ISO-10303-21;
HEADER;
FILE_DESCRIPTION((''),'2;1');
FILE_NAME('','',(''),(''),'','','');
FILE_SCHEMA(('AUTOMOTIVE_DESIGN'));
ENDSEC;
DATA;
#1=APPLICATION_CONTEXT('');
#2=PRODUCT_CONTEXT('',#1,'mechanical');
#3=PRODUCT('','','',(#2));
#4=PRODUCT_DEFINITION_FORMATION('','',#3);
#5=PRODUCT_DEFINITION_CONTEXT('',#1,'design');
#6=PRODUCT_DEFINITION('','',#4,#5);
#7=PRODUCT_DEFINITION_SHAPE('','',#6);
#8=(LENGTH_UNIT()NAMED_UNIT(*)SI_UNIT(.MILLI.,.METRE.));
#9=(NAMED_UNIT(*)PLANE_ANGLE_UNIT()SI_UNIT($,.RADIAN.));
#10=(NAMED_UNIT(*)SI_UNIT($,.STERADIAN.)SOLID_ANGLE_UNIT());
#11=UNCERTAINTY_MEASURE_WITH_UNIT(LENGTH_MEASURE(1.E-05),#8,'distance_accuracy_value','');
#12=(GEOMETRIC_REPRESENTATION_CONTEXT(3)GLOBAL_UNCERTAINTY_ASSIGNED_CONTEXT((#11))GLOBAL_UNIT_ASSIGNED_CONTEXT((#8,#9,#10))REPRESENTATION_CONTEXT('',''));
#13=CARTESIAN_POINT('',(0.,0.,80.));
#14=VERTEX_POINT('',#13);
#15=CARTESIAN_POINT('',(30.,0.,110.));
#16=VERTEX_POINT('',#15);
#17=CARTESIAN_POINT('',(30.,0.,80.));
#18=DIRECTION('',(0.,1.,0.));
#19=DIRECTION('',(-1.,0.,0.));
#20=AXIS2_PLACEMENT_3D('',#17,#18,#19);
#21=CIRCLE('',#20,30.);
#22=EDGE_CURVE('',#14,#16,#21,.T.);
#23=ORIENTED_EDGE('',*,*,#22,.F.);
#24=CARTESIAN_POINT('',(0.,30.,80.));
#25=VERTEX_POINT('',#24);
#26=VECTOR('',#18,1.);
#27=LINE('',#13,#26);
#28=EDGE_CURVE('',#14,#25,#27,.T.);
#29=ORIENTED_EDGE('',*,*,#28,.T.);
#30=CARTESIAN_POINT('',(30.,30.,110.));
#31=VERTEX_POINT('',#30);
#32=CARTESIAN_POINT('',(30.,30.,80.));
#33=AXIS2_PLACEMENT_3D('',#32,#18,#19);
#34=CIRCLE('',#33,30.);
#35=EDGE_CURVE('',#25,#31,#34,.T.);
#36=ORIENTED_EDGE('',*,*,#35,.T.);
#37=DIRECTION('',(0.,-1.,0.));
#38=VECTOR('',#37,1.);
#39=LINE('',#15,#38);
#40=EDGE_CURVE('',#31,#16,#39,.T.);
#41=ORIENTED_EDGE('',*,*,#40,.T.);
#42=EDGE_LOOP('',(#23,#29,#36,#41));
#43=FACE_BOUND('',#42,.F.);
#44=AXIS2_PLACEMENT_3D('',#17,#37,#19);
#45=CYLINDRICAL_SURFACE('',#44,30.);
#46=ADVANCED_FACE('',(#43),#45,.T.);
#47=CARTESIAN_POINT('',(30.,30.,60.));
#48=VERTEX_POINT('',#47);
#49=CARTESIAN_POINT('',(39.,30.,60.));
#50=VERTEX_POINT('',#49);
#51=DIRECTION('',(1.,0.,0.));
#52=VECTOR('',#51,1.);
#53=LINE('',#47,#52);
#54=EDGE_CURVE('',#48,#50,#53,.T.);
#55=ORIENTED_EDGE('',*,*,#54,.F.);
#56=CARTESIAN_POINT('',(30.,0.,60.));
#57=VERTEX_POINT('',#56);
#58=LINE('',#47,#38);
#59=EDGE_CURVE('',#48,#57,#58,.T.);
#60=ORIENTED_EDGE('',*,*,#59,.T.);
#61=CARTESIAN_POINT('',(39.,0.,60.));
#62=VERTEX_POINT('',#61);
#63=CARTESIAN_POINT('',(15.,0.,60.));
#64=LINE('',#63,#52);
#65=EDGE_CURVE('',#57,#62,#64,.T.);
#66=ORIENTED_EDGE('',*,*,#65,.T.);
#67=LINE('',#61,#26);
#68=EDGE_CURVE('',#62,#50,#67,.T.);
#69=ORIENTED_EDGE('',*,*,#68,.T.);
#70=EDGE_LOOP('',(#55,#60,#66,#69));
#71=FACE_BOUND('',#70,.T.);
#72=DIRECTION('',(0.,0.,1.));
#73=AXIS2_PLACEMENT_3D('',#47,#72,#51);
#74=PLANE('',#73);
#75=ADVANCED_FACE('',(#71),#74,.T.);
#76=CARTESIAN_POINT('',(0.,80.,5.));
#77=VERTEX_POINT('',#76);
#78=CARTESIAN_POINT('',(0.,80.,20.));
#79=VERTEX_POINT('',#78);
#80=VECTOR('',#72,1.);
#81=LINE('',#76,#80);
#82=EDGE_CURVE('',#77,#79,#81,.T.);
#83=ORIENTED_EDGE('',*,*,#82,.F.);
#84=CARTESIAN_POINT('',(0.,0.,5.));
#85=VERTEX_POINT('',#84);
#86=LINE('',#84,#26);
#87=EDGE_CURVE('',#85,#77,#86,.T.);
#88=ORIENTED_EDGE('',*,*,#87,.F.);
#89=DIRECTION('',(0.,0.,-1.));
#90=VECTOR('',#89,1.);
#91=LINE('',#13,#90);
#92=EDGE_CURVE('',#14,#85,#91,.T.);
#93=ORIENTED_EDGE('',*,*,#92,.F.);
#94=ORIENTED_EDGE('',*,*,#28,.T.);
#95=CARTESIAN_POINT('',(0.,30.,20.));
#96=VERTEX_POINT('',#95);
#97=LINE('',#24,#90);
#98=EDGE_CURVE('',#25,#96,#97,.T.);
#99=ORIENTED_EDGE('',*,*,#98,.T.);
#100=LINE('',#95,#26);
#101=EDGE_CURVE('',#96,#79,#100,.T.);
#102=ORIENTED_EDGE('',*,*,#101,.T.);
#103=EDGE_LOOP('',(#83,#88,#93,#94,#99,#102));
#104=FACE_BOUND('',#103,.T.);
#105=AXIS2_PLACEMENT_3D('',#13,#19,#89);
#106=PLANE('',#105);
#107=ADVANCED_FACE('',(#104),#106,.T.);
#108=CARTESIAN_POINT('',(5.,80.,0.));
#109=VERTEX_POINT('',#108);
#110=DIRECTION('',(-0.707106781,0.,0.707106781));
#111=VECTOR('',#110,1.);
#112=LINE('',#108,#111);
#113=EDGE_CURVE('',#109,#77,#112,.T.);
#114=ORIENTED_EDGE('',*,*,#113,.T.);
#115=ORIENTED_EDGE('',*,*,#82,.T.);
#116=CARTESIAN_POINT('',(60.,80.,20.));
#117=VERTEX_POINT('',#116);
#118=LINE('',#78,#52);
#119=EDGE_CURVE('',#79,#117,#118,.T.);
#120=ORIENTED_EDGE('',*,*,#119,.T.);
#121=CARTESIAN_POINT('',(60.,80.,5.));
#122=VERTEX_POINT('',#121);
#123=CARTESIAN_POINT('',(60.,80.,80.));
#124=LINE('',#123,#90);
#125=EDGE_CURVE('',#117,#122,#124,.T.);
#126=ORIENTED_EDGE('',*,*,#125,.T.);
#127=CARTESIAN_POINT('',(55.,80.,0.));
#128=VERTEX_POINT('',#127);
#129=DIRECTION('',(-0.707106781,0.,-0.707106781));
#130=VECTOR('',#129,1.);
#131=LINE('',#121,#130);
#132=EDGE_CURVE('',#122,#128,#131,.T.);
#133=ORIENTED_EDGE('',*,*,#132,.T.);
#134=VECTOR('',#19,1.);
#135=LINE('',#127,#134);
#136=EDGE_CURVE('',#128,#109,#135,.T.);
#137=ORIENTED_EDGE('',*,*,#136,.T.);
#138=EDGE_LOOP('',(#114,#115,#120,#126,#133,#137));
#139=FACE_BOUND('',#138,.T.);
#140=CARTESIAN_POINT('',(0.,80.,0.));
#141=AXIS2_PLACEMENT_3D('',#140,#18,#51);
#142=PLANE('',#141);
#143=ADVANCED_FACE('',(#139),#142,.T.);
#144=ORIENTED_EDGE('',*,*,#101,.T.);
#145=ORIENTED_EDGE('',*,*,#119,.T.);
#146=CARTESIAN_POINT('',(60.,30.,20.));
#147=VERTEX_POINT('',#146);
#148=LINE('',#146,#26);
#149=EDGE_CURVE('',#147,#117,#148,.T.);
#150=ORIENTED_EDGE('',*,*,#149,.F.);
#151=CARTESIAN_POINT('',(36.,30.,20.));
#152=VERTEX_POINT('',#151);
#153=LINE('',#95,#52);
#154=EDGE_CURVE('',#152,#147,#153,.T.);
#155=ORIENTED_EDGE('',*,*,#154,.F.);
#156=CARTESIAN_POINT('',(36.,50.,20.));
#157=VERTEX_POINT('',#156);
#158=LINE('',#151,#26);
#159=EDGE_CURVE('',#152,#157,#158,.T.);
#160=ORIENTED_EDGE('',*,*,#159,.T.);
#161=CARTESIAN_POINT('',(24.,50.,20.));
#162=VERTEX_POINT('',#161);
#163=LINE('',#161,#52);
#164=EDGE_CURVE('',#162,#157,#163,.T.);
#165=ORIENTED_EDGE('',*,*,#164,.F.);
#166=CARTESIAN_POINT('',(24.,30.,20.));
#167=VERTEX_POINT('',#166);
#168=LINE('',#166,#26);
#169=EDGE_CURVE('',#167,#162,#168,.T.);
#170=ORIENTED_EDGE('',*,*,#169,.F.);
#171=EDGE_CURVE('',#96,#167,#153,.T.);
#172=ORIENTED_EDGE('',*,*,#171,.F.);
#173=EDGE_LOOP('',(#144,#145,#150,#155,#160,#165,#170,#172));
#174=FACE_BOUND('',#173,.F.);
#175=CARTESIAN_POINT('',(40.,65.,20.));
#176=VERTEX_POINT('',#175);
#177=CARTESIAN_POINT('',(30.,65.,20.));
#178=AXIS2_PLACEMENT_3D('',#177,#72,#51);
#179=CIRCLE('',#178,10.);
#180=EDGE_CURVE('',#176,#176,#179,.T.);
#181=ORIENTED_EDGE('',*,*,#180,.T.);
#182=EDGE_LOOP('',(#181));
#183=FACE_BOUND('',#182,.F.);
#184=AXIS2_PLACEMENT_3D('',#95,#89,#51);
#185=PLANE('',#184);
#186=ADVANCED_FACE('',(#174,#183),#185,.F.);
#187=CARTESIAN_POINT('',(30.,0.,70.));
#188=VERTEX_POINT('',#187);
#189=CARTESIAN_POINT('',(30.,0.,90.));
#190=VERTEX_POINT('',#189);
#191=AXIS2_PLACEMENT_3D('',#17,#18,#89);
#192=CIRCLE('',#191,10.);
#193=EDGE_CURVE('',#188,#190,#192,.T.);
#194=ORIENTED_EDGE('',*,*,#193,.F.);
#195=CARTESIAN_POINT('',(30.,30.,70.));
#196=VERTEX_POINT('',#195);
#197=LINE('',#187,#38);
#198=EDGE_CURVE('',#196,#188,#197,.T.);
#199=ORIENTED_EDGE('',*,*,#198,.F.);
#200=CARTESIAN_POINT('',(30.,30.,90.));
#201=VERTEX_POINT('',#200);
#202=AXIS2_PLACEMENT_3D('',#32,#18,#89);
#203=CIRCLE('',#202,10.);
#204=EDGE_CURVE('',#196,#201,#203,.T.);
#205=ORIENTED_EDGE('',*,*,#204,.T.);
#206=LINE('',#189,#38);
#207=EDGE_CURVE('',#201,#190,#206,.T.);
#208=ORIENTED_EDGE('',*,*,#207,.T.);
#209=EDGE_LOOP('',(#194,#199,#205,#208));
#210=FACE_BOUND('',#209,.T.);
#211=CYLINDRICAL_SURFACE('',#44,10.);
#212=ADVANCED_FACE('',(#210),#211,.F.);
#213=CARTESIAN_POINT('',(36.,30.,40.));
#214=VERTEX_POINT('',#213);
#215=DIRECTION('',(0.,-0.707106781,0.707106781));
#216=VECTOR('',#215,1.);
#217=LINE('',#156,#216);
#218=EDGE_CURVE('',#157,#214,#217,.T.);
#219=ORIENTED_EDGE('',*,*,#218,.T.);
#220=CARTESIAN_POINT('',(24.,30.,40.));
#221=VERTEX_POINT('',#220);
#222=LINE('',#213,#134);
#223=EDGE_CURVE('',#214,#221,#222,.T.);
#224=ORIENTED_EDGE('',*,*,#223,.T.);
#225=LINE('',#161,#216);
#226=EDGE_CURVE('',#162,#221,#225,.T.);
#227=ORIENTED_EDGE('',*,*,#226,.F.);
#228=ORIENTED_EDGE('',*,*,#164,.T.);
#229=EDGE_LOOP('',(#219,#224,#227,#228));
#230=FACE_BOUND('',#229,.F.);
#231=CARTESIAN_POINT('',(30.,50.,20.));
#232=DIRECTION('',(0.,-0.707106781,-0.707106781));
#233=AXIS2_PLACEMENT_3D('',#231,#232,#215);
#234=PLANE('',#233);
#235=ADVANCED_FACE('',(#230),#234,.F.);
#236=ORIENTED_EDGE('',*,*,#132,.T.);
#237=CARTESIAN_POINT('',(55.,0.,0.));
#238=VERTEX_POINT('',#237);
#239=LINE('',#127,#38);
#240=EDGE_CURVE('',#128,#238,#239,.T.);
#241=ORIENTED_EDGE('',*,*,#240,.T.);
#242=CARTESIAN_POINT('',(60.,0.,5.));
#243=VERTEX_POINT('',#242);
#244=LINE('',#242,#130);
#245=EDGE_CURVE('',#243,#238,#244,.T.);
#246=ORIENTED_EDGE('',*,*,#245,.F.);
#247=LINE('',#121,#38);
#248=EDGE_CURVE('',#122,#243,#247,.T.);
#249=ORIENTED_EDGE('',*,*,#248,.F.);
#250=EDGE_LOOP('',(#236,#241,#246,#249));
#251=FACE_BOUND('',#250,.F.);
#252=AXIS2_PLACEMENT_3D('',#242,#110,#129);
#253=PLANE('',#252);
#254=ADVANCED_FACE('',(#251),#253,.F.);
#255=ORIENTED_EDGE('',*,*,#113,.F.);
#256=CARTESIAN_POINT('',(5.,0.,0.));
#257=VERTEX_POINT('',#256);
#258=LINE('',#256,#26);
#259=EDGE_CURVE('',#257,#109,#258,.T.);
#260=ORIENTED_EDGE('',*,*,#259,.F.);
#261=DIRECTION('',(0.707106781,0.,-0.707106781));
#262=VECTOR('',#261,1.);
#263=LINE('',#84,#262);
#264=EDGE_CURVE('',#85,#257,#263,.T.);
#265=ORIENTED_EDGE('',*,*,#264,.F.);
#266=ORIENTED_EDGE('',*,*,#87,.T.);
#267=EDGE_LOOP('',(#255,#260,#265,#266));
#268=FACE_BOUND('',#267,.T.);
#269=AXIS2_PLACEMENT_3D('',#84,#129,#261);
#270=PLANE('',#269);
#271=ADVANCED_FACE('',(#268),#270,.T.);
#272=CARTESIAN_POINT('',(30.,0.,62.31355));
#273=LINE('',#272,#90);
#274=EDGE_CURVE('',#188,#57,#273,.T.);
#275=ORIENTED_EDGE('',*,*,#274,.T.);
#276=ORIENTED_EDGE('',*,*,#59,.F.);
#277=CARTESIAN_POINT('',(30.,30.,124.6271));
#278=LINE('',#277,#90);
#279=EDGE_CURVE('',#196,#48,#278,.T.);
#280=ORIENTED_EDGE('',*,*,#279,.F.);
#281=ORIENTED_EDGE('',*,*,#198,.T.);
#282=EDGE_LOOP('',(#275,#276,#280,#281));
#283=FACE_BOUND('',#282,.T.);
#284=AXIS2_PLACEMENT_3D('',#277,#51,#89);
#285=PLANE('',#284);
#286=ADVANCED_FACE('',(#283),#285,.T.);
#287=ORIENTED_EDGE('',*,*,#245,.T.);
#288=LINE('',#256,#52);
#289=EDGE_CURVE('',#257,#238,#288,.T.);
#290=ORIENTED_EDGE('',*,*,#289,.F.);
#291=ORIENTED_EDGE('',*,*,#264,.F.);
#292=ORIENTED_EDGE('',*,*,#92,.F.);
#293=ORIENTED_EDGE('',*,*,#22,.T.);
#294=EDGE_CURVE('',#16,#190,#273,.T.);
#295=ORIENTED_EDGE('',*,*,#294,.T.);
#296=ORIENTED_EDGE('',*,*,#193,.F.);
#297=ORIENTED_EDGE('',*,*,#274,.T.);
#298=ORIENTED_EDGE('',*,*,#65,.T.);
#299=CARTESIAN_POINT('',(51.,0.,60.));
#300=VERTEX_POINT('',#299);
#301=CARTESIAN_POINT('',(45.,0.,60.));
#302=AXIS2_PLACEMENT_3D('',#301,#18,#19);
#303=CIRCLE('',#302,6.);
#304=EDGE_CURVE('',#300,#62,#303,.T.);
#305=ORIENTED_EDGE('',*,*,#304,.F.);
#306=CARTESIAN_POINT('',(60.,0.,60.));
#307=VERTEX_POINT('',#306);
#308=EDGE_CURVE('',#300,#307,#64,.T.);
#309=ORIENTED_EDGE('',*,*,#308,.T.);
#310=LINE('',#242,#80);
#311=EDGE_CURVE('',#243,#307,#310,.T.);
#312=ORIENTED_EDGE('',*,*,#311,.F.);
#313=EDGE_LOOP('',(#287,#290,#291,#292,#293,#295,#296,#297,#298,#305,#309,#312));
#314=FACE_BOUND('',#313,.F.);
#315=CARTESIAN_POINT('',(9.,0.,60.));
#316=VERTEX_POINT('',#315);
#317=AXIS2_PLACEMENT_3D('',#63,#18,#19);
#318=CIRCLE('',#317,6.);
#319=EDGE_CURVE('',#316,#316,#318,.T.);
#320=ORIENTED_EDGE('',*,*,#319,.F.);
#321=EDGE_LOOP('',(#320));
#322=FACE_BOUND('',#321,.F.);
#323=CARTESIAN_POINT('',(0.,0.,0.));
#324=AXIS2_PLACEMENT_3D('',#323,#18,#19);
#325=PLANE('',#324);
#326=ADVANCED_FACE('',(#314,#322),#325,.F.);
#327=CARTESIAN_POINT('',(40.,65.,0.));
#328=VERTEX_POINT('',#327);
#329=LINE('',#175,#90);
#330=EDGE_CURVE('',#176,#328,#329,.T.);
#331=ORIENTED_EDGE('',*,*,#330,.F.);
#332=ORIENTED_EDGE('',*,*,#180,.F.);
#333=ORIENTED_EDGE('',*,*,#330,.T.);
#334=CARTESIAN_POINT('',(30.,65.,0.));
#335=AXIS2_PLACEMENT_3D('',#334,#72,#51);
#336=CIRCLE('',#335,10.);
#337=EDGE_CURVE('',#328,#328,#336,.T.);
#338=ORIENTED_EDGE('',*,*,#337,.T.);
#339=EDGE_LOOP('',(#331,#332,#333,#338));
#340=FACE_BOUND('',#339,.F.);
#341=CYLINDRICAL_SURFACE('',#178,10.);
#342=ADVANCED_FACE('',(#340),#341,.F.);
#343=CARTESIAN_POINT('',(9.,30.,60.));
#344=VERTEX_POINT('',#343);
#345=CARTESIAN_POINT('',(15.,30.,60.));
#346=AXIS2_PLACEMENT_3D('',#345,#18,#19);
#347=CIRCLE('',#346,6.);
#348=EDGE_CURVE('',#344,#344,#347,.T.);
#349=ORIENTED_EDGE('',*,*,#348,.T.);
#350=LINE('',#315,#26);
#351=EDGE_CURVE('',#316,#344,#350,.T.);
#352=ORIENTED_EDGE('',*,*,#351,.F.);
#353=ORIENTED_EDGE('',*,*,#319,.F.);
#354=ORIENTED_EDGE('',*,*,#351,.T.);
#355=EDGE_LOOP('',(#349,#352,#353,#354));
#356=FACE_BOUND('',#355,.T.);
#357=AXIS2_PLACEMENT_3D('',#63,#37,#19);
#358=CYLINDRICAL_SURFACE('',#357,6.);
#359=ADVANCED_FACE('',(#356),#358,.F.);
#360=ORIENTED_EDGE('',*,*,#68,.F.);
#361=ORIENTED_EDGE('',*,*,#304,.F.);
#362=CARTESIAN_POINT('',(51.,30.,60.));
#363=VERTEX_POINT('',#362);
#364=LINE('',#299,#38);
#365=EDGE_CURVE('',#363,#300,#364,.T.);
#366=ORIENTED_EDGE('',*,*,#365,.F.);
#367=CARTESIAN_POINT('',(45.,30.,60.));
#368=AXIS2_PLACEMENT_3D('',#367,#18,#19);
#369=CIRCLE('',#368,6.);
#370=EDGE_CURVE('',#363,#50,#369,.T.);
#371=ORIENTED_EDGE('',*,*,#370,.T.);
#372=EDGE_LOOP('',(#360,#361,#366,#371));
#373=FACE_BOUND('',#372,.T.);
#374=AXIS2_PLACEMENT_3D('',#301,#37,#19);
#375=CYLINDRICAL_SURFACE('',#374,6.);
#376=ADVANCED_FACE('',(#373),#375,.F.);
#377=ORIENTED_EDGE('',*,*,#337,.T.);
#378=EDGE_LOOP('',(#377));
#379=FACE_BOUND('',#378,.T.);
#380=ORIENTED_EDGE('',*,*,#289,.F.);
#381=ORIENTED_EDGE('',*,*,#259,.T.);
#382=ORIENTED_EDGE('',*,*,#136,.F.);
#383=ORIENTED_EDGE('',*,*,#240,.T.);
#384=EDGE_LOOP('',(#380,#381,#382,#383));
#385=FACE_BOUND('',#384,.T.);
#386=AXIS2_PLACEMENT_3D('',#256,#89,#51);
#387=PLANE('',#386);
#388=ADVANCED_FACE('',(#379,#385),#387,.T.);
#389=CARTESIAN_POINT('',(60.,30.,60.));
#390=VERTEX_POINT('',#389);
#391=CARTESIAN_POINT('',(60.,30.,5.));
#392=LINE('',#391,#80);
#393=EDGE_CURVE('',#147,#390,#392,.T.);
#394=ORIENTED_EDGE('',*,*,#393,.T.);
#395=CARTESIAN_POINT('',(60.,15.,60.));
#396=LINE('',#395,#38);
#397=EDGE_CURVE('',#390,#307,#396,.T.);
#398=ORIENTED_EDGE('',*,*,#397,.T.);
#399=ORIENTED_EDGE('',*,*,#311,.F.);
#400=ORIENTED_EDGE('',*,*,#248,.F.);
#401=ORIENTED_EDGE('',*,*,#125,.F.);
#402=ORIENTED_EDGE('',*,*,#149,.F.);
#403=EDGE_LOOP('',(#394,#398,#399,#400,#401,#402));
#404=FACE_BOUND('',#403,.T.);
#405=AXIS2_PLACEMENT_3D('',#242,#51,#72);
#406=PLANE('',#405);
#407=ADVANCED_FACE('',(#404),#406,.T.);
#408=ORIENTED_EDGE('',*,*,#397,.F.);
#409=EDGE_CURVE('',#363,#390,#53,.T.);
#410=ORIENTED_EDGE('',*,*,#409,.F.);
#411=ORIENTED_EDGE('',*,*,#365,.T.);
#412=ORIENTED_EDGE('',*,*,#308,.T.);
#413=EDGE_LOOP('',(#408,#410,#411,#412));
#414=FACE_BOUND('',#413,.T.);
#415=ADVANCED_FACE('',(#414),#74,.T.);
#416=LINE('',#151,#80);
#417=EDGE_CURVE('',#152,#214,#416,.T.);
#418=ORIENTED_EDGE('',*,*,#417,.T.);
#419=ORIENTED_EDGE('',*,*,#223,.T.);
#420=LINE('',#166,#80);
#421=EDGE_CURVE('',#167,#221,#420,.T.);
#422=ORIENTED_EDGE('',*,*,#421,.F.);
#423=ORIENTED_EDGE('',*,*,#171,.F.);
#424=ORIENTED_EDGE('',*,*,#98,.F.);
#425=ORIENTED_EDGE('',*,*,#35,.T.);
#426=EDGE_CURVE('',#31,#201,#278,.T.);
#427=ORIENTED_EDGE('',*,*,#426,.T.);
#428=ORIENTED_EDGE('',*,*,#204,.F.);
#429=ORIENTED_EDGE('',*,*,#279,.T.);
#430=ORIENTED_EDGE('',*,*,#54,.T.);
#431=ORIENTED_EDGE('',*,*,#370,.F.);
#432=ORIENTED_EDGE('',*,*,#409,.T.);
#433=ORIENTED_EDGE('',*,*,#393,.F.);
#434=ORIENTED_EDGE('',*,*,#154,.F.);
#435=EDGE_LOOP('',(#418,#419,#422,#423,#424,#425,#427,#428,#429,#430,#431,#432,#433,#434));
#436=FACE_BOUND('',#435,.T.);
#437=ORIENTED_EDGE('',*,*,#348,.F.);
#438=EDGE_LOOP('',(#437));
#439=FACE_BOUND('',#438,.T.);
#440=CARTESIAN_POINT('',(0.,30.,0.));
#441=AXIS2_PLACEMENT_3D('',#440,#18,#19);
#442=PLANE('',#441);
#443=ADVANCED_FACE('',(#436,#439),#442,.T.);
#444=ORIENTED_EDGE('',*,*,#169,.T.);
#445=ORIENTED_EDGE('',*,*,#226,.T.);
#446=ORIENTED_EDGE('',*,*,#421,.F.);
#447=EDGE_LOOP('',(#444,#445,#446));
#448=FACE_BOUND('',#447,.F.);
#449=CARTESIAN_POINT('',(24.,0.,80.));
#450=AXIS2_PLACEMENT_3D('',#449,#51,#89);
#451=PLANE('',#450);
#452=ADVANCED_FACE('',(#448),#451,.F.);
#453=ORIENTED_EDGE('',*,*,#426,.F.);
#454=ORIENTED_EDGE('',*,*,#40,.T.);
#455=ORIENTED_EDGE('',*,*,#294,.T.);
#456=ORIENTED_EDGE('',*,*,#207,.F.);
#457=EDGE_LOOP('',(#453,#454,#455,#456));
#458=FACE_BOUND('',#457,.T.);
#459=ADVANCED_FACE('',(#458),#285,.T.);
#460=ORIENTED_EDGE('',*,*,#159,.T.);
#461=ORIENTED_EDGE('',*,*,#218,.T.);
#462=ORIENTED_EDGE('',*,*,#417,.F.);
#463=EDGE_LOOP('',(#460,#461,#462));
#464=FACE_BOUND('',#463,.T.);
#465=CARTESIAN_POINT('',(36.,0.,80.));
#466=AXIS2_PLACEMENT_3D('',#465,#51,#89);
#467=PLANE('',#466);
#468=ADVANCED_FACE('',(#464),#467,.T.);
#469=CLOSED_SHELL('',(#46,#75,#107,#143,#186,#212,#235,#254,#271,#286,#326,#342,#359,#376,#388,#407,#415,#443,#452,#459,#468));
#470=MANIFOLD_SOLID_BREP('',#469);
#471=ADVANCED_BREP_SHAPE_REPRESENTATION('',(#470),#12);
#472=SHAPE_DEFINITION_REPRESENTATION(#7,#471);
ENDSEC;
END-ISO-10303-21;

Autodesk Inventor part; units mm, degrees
ref_plane "YZ Plane" through (0, 0, 0) normal (1, 0, 0) x (0, 1, 0)
ref_plane "XZ Plane" through (0, 0, 0) normal (0, 1, 0) x (-1, 0, 0)
sketch "Эскиз1" plane through (0, 0, 0) normal (0, 1, 0) x (-1, 0, 0)
  line L0 (-5, 0) -> (-55, 0)
  line L1 (-60, 5) -> (-60, 80)
  line L2 (0, 80) -> (0, 5)
  arc A0 (0, 80) -> (-60, 80) centre (-30, 80) ccw
  circle A1 centre (-30, 80) radius 10
  circle A2 centre (-15, 60) radius 6
  circle A3 centre (-45, 60) radius 6
  line L3 (0, 5) -> (-5, 0)
  line L4 (-60, 5) -> (-55, 0)
  point P0 (0, 0)
  point P1 (-60, 0)
  dimension "d4" = 80
  dimension "d5" = 20
  dimension "d8" = 12
  dimension "d9" = 12
  dimension "d12" = 5
  dimension "d13" = 45
  dimension "d14" = 5
  dimension "d15" = 45
extrude "Выдавливание1" add sketch "Эскиз1" along normal blind 30
sketch "Эскиз2" plane through (0, 30, 0) normal (0, 1, 0) x (1, 0, 0)
  line L0 (0, -20) -> (60, -20)
  line L1 (60, -80) -> (60, -5) projected
  line L2 (60, -5) -> (55, 0) projected
  line L3 (60, -5) -> (55, 0)
  line L4 (55, 0) -> (5, 0) projected
  line L5 (55, 0) -> (5, 0)
  line L6 (5, 0) -> (0, -5) projected
  line L7 (5, 0) -> (0, -5)
  line L8 (0, -5) -> (0, -20)
  line L9 (0, -5) -> (0, -80) projected
  point P0 (0, 0)
extrude "Выдавливание2" add sketch "Эскиз2" along normal blind 50
sketch "Эскиз3" plane through (0, 30, 20) normal (0, 0, 1) x (1, 0, 0)
  circle A0 centre (30, 35) radius 10
  line L0 (60, 0) -> (0, 0) projected
  point P0 (0, -30)
  dimension "d18" = 20
extrude "Выдавливание3" cut sketch "Эскиз3" against normal blind 50
ref_plane "РабПлоскость1" through (30, 0, 80) normal (1, 0, 0) x (0, 0, -1)
sketch "Эскиз6" plane through (30, 0, 80) normal (1, 0, 0) x (0, 0, -1)
  line L0 (60, 30) -> (0, 30) projected
  line L1 (40, 30) -> (60, 30)
  line L2 (60, 30) -> (60, 50)
  line L3 (60, 30) -> (60, 80) projected
  line L4 (60, 50) -> (40, 30)
  point P0 (80, 0)
  dimension "d26" = 20
extrude "Выдавливание4" add sketch "Эскиз6" along normal mid plane 12
sketch "Эскиз7" plane through (0, 30, 0) normal (0, 1, 0) x (1, 0, 0)
  line L0 (30, -60) -> (71.6431, -60)
  line L1 (71.6431, -60) -> (71.6431, -124.6271)
  line L2 (71.6431, -124.6271) -> (30, -124.6271)
  line L3 (30, -124.6271) -> (30, -60)
  point P0 (0, 0)
extrude "Выдавливание5" cut sketch "Эскиз7" against normal blind 50
equation "\"d14\" = d12"
equation "\"d15\" = d13"
